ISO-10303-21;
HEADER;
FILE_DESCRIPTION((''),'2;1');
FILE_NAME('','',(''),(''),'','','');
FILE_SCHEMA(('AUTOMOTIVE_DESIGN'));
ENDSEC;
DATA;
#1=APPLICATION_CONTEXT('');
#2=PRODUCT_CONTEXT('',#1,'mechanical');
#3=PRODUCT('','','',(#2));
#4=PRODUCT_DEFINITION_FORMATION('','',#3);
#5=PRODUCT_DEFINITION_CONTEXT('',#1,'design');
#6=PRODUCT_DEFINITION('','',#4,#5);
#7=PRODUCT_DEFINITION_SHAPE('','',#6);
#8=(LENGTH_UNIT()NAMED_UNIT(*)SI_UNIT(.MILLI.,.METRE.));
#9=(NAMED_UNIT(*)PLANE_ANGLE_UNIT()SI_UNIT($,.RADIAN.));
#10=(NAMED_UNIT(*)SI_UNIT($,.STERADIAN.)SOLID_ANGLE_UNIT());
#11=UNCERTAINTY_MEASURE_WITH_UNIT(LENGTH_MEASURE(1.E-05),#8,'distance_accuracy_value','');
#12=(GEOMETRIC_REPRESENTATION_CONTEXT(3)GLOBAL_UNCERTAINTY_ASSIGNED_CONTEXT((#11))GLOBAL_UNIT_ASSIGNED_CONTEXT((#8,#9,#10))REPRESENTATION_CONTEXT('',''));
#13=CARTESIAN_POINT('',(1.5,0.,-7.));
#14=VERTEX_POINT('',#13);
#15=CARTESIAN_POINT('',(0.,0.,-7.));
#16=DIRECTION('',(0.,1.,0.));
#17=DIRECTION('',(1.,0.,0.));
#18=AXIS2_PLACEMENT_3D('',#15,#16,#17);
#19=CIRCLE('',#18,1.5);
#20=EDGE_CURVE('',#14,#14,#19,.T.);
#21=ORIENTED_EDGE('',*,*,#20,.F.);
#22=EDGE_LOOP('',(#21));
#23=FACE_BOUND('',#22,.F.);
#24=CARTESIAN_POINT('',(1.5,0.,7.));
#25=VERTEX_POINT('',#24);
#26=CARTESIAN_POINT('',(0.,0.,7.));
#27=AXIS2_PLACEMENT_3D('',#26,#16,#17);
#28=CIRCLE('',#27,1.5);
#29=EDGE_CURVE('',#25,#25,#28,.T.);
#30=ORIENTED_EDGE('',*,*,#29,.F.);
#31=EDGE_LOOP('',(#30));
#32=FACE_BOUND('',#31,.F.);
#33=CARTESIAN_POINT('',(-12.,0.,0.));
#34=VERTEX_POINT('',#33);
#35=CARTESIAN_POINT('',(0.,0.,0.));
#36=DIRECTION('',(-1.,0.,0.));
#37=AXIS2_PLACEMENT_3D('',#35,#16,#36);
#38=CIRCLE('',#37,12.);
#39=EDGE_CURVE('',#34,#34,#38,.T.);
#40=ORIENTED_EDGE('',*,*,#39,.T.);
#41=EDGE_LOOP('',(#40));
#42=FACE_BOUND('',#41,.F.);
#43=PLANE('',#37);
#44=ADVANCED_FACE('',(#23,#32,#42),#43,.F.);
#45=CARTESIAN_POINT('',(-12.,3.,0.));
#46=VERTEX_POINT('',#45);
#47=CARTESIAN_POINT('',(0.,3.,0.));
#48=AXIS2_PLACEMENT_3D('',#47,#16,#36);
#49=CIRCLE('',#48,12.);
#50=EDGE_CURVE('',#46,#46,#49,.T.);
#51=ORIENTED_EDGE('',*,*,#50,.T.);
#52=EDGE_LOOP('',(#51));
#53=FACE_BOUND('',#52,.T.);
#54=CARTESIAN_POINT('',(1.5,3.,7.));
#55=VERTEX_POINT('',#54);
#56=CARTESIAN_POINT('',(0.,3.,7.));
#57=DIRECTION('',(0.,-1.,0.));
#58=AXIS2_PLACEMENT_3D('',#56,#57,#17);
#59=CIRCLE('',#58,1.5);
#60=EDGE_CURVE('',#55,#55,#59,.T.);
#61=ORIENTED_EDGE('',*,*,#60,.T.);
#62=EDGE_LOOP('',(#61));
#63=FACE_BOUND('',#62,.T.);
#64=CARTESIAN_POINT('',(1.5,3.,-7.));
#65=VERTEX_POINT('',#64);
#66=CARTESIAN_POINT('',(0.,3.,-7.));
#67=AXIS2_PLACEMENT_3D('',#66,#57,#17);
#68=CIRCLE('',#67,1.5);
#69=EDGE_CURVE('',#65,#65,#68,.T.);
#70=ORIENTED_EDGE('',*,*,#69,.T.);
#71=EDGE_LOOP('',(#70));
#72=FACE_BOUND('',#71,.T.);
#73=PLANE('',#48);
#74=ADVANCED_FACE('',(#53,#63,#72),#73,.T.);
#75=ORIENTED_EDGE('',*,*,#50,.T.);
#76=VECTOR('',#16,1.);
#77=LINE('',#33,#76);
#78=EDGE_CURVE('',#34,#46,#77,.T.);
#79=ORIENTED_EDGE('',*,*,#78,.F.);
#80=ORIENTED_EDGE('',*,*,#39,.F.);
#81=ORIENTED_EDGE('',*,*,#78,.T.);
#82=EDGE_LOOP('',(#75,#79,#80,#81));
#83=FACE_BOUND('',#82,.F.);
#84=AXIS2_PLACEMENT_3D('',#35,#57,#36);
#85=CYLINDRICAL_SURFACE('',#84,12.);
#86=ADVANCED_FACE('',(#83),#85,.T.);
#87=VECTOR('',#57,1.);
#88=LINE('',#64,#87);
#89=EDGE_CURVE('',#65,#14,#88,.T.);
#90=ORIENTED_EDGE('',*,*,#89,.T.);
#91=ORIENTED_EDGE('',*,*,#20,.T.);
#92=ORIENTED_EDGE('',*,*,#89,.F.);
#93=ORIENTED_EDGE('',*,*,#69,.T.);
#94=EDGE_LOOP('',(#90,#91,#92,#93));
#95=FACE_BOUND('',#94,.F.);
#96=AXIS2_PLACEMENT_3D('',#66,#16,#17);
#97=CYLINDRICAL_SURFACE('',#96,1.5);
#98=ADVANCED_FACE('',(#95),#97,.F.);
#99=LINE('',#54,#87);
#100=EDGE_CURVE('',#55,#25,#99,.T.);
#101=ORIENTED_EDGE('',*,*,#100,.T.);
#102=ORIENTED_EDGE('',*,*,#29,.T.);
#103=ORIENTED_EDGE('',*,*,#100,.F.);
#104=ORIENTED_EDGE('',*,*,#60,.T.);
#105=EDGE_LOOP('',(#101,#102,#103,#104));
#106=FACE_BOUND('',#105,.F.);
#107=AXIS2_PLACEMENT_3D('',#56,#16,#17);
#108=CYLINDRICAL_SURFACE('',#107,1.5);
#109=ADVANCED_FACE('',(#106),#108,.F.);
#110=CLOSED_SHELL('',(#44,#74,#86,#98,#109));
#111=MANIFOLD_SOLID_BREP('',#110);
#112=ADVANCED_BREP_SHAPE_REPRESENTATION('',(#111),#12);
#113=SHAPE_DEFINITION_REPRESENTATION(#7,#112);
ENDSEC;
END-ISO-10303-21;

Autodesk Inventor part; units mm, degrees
ref_plane "YZ Plane" through (0, 0, 0) normal (1, 0, 0) x (0, 1, 0)
ref_plane "XZ Plane" through (0, 0, 0) normal (0, 1, 0) x (-1, 0, 0)
ref_plane "XY Plane" through (0, 0, 0) normal (0, 0, 1) x (1, 0, 0)
sketch "Sketch1" plane through (0, 0, 0) normal (0, 1, 0) x (-1, 0, 0)
  circle A0 centre (0, 0) radius 12
  dimension "d0" = 24
extrude "Extrusion1" add sketch "Sketch1" along normal blind 3
sketch "Sketch2" plane through (0, 3, 0) normal (0, 1, 0) x (1, 0, 0)
  circle A0 centre (0, 0) radius 12 projected
  line L0 (0, 0) -> (0, 7)
  line L1 (0, 7) -> (0, -7)
  circle A1 centre (0, -7) radius 1.5
  circle A2 centre (0, 7) radius 1.5
  dimension "d3" = 7
  dimension "d4" = 14
  dimension "d5" = 3
  dimension "d6" = 3
extrude "Extrusion2" cut sketch "Sketch2" against normal blind 3 contours A2 | A1
properties part number "Wrist Bearing"
